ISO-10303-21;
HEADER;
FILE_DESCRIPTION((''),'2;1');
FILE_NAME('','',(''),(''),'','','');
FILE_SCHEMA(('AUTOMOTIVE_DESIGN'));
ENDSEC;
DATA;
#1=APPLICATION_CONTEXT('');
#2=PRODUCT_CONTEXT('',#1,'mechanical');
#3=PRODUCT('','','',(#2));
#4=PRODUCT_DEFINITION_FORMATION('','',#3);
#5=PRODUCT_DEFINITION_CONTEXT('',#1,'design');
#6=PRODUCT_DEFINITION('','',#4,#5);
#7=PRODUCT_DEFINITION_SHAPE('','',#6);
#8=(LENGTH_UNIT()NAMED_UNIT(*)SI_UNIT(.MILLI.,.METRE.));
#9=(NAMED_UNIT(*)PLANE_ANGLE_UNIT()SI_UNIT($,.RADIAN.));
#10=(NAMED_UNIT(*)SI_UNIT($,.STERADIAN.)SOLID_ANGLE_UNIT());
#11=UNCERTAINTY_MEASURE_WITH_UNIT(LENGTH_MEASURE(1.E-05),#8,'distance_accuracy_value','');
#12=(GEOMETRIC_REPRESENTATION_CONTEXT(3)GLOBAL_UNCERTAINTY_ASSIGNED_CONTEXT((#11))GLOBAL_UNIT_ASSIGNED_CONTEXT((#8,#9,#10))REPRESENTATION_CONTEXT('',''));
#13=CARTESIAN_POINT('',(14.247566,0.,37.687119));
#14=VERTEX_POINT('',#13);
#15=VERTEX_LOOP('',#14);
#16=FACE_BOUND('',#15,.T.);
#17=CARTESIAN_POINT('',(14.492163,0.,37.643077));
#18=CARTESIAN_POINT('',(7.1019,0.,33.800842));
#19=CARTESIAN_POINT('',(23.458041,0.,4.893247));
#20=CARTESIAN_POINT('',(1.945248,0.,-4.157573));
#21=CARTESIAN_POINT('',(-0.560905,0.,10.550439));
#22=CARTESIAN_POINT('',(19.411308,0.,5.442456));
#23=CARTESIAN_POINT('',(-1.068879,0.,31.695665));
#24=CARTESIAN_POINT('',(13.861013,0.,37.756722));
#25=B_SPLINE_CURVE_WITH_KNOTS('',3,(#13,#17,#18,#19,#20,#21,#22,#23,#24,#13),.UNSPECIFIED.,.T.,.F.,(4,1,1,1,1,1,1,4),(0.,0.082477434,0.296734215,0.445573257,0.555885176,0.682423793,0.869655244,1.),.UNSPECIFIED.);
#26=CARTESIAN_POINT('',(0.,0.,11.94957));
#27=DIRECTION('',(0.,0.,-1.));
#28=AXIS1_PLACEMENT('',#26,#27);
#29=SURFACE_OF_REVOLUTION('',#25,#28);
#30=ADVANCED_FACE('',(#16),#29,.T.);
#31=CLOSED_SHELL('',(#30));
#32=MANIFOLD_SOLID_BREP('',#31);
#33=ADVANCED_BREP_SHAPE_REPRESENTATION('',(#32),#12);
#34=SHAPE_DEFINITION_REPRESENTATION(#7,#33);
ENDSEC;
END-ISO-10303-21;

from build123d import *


with BuildPart() as f1:
    # F0 (on Front) → F1 (revolve)
    with BuildSketch(Plane.XZ):
        with BuildLine():
            add(Edge.make_bspline(
                [(14.2475664616, 37.6871190965), (14.4921632921, 37.6430768617), (7.1019002011, 33.8008415323), (23.4580412495, 4.8932465481), (1.9452482501, -4.1575726796), (-0.5609045807, 10.5504385519), (19.4113082758, 5.4424555829), (-1.0688787129, 31.6956650657), (13.8610132841, 37.7567220664), (14.2475664616, 37.6871190965)],
                knots=[0, 0, 0, 0, 0.0824774344, 0.2967342154, 0.4455732573, 0.5558851755, 0.6824237931, 0.8696552435, 1, 1, 1, 1], degree=3))
        make_face()
    revolve(axis=Axis((0, 0, 11.9495699182), (0, 0, -1)))


solid = f1.part
